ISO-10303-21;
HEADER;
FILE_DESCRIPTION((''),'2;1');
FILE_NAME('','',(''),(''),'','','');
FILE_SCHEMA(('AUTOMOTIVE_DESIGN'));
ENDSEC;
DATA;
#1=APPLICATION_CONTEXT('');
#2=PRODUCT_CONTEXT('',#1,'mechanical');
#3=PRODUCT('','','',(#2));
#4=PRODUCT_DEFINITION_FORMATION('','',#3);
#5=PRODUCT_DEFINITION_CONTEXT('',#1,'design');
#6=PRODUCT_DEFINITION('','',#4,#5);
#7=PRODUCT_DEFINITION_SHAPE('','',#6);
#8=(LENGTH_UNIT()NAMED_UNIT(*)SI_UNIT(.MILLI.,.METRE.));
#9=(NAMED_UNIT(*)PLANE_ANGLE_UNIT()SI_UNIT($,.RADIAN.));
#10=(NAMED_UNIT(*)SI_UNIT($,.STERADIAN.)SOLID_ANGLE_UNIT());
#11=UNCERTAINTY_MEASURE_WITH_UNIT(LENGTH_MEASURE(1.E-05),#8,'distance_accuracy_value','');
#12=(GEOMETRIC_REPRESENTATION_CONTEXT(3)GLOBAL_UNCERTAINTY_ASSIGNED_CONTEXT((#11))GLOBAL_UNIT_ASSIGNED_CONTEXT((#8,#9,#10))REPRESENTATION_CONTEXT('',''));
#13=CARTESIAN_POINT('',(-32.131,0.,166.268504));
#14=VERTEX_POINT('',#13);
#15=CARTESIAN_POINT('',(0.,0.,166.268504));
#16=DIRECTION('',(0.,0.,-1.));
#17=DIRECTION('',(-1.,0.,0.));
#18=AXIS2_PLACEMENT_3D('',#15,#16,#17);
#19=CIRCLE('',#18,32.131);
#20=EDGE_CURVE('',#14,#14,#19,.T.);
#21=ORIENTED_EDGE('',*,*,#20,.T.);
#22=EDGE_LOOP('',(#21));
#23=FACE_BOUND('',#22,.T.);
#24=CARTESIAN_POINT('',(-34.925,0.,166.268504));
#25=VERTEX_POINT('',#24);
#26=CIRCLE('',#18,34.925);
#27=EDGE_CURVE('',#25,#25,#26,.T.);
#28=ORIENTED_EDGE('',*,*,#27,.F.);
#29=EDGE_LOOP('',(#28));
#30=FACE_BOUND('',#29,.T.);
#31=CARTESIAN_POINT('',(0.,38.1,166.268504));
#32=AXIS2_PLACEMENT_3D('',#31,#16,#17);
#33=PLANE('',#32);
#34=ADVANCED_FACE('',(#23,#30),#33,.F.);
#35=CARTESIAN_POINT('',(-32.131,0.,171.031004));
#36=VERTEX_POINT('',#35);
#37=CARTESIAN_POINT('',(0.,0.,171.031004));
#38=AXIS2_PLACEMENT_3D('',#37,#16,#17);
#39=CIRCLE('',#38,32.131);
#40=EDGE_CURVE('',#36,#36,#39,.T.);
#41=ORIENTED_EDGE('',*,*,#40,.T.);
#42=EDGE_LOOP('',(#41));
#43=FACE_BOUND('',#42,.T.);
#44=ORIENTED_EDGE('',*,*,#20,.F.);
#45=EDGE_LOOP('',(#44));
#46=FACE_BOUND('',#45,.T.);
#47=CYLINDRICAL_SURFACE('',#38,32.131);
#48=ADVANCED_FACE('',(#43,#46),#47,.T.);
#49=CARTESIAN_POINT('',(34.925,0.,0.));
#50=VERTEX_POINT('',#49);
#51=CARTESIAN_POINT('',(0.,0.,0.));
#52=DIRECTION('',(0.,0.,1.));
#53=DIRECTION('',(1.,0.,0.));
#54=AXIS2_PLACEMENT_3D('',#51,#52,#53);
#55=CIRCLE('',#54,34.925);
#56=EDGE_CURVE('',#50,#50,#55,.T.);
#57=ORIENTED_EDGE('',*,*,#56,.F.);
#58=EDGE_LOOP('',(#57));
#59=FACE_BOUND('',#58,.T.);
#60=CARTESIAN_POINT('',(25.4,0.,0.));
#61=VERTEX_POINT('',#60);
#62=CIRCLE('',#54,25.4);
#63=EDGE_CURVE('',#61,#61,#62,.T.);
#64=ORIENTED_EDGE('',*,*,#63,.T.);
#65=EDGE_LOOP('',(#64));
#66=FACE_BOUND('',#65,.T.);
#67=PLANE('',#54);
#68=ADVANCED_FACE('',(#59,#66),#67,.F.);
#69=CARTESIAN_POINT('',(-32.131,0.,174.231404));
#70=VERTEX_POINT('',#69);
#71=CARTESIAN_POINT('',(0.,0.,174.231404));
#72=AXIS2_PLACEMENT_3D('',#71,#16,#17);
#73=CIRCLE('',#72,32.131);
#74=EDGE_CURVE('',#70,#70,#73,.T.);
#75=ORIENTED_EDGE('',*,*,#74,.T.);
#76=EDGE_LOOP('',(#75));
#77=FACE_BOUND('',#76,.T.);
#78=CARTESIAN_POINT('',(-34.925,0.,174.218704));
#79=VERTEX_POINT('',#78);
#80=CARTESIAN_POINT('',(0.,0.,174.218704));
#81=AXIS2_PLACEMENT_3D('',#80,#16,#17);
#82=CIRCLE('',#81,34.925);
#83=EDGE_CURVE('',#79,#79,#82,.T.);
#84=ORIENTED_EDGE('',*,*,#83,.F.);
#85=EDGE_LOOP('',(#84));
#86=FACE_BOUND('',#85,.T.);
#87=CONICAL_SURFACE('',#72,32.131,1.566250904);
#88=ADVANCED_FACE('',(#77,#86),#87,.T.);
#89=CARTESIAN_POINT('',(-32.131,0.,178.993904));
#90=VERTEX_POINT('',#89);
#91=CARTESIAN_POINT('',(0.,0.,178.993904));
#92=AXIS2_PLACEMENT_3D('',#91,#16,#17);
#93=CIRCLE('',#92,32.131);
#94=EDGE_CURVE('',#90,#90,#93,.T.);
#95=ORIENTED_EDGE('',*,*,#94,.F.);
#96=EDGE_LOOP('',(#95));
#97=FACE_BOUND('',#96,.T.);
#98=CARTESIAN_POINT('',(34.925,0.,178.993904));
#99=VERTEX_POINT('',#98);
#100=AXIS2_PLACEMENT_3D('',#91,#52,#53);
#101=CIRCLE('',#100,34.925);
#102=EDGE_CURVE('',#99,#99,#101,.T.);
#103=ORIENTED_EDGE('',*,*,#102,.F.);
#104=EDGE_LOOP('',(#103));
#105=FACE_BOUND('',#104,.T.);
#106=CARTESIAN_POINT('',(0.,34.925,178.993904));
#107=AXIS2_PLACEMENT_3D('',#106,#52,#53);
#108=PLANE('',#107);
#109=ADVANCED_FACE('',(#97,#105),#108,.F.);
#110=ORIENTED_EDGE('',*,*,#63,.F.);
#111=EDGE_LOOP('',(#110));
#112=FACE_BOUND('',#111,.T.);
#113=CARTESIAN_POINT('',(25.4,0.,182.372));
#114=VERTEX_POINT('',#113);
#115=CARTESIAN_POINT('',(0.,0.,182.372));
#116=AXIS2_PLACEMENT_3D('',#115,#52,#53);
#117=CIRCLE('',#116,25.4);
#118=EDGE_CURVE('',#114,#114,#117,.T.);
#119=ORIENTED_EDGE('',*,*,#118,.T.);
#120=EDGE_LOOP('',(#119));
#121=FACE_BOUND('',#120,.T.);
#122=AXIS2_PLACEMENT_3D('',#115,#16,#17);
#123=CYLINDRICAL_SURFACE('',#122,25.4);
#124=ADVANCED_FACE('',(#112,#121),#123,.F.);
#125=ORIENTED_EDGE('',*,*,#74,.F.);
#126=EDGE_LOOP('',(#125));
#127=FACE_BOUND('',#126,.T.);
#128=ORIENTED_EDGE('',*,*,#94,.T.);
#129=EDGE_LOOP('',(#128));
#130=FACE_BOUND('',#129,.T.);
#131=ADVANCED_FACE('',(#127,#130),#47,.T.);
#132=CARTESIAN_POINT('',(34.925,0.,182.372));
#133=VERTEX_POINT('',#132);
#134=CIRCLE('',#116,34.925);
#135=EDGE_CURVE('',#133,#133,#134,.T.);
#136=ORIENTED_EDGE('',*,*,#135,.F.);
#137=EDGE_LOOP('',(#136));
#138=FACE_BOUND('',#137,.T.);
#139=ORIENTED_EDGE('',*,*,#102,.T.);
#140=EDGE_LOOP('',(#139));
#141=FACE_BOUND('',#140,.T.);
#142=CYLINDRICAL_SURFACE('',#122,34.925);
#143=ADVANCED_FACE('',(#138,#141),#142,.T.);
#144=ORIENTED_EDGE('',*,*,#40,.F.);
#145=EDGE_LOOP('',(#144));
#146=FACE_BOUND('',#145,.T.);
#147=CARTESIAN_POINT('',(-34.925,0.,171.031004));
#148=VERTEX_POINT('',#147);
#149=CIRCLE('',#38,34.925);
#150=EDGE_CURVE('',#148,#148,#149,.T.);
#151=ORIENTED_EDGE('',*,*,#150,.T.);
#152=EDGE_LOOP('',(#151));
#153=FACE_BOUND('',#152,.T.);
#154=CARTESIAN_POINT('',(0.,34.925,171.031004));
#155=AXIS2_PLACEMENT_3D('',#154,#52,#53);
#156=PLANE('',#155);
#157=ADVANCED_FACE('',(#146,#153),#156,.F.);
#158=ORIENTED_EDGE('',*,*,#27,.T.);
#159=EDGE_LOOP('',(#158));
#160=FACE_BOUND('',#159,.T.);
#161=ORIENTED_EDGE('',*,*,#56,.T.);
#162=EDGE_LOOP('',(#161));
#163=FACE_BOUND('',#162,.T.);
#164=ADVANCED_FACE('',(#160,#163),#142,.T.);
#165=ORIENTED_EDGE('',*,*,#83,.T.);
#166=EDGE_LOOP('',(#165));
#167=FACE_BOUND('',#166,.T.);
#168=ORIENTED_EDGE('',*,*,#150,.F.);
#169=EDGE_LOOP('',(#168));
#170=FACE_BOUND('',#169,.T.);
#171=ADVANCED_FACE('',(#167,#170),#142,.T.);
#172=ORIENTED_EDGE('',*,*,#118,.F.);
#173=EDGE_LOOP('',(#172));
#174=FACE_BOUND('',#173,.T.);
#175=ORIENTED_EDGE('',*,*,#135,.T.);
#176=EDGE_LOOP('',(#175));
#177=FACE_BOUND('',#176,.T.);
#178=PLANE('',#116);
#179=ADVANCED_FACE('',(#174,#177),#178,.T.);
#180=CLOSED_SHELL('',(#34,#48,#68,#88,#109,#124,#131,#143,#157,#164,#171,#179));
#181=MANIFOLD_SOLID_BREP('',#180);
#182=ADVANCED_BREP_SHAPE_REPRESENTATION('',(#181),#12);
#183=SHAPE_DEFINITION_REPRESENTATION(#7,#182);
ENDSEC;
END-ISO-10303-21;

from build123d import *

# Parameters (mm, degrees)
SKETCH1_R           = 34.925
SKETCH1_R_2         = 25.4
BOSS_EXTRUDE1_DEPTH = 182.372


with BuildPart() as part:
    # Sketch1 → Boss-Extrude1 (new body)
    with BuildSketch(Plane.XY):
        Circle(SKETCH1_R)
        Circle(SKETCH1_R_2, mode=Mode.SUBTRACT)
    extrude(amount=BOSS_EXTRUDE1_DEPTH)

    # Cut-Sweep1: sweep along a path in groove path
    with BuildLine(Plane.XY.offset(171.031003689)) as cut_sweep1_path:
        CenterArc((0, 0), 34.925, 0, 360)
    # groove → Cut-Sweep1 (sweep, cut)
    with BuildSketch(Plane(origin=(0, 0, 0), x_dir=(0, 0, -1), z_dir=(1, 0, 0))):
        Polygon((-178.993903689, 34.925), (-178.993903689, 32.131), (-174.231403689, 32.131), (-174.218703689, 34.925), (-171.031003689, 34.925), (-171.031003689, 32.131), (-166.268503689, 32.131), (-166.268503689, 34.925), (-166.268503689, 38.1), (-178.993903689, 38.1), align=None)
    sweep(path=cut_sweep1_path.line, mode=Mode.SUBTRACT)


solid = part.part
